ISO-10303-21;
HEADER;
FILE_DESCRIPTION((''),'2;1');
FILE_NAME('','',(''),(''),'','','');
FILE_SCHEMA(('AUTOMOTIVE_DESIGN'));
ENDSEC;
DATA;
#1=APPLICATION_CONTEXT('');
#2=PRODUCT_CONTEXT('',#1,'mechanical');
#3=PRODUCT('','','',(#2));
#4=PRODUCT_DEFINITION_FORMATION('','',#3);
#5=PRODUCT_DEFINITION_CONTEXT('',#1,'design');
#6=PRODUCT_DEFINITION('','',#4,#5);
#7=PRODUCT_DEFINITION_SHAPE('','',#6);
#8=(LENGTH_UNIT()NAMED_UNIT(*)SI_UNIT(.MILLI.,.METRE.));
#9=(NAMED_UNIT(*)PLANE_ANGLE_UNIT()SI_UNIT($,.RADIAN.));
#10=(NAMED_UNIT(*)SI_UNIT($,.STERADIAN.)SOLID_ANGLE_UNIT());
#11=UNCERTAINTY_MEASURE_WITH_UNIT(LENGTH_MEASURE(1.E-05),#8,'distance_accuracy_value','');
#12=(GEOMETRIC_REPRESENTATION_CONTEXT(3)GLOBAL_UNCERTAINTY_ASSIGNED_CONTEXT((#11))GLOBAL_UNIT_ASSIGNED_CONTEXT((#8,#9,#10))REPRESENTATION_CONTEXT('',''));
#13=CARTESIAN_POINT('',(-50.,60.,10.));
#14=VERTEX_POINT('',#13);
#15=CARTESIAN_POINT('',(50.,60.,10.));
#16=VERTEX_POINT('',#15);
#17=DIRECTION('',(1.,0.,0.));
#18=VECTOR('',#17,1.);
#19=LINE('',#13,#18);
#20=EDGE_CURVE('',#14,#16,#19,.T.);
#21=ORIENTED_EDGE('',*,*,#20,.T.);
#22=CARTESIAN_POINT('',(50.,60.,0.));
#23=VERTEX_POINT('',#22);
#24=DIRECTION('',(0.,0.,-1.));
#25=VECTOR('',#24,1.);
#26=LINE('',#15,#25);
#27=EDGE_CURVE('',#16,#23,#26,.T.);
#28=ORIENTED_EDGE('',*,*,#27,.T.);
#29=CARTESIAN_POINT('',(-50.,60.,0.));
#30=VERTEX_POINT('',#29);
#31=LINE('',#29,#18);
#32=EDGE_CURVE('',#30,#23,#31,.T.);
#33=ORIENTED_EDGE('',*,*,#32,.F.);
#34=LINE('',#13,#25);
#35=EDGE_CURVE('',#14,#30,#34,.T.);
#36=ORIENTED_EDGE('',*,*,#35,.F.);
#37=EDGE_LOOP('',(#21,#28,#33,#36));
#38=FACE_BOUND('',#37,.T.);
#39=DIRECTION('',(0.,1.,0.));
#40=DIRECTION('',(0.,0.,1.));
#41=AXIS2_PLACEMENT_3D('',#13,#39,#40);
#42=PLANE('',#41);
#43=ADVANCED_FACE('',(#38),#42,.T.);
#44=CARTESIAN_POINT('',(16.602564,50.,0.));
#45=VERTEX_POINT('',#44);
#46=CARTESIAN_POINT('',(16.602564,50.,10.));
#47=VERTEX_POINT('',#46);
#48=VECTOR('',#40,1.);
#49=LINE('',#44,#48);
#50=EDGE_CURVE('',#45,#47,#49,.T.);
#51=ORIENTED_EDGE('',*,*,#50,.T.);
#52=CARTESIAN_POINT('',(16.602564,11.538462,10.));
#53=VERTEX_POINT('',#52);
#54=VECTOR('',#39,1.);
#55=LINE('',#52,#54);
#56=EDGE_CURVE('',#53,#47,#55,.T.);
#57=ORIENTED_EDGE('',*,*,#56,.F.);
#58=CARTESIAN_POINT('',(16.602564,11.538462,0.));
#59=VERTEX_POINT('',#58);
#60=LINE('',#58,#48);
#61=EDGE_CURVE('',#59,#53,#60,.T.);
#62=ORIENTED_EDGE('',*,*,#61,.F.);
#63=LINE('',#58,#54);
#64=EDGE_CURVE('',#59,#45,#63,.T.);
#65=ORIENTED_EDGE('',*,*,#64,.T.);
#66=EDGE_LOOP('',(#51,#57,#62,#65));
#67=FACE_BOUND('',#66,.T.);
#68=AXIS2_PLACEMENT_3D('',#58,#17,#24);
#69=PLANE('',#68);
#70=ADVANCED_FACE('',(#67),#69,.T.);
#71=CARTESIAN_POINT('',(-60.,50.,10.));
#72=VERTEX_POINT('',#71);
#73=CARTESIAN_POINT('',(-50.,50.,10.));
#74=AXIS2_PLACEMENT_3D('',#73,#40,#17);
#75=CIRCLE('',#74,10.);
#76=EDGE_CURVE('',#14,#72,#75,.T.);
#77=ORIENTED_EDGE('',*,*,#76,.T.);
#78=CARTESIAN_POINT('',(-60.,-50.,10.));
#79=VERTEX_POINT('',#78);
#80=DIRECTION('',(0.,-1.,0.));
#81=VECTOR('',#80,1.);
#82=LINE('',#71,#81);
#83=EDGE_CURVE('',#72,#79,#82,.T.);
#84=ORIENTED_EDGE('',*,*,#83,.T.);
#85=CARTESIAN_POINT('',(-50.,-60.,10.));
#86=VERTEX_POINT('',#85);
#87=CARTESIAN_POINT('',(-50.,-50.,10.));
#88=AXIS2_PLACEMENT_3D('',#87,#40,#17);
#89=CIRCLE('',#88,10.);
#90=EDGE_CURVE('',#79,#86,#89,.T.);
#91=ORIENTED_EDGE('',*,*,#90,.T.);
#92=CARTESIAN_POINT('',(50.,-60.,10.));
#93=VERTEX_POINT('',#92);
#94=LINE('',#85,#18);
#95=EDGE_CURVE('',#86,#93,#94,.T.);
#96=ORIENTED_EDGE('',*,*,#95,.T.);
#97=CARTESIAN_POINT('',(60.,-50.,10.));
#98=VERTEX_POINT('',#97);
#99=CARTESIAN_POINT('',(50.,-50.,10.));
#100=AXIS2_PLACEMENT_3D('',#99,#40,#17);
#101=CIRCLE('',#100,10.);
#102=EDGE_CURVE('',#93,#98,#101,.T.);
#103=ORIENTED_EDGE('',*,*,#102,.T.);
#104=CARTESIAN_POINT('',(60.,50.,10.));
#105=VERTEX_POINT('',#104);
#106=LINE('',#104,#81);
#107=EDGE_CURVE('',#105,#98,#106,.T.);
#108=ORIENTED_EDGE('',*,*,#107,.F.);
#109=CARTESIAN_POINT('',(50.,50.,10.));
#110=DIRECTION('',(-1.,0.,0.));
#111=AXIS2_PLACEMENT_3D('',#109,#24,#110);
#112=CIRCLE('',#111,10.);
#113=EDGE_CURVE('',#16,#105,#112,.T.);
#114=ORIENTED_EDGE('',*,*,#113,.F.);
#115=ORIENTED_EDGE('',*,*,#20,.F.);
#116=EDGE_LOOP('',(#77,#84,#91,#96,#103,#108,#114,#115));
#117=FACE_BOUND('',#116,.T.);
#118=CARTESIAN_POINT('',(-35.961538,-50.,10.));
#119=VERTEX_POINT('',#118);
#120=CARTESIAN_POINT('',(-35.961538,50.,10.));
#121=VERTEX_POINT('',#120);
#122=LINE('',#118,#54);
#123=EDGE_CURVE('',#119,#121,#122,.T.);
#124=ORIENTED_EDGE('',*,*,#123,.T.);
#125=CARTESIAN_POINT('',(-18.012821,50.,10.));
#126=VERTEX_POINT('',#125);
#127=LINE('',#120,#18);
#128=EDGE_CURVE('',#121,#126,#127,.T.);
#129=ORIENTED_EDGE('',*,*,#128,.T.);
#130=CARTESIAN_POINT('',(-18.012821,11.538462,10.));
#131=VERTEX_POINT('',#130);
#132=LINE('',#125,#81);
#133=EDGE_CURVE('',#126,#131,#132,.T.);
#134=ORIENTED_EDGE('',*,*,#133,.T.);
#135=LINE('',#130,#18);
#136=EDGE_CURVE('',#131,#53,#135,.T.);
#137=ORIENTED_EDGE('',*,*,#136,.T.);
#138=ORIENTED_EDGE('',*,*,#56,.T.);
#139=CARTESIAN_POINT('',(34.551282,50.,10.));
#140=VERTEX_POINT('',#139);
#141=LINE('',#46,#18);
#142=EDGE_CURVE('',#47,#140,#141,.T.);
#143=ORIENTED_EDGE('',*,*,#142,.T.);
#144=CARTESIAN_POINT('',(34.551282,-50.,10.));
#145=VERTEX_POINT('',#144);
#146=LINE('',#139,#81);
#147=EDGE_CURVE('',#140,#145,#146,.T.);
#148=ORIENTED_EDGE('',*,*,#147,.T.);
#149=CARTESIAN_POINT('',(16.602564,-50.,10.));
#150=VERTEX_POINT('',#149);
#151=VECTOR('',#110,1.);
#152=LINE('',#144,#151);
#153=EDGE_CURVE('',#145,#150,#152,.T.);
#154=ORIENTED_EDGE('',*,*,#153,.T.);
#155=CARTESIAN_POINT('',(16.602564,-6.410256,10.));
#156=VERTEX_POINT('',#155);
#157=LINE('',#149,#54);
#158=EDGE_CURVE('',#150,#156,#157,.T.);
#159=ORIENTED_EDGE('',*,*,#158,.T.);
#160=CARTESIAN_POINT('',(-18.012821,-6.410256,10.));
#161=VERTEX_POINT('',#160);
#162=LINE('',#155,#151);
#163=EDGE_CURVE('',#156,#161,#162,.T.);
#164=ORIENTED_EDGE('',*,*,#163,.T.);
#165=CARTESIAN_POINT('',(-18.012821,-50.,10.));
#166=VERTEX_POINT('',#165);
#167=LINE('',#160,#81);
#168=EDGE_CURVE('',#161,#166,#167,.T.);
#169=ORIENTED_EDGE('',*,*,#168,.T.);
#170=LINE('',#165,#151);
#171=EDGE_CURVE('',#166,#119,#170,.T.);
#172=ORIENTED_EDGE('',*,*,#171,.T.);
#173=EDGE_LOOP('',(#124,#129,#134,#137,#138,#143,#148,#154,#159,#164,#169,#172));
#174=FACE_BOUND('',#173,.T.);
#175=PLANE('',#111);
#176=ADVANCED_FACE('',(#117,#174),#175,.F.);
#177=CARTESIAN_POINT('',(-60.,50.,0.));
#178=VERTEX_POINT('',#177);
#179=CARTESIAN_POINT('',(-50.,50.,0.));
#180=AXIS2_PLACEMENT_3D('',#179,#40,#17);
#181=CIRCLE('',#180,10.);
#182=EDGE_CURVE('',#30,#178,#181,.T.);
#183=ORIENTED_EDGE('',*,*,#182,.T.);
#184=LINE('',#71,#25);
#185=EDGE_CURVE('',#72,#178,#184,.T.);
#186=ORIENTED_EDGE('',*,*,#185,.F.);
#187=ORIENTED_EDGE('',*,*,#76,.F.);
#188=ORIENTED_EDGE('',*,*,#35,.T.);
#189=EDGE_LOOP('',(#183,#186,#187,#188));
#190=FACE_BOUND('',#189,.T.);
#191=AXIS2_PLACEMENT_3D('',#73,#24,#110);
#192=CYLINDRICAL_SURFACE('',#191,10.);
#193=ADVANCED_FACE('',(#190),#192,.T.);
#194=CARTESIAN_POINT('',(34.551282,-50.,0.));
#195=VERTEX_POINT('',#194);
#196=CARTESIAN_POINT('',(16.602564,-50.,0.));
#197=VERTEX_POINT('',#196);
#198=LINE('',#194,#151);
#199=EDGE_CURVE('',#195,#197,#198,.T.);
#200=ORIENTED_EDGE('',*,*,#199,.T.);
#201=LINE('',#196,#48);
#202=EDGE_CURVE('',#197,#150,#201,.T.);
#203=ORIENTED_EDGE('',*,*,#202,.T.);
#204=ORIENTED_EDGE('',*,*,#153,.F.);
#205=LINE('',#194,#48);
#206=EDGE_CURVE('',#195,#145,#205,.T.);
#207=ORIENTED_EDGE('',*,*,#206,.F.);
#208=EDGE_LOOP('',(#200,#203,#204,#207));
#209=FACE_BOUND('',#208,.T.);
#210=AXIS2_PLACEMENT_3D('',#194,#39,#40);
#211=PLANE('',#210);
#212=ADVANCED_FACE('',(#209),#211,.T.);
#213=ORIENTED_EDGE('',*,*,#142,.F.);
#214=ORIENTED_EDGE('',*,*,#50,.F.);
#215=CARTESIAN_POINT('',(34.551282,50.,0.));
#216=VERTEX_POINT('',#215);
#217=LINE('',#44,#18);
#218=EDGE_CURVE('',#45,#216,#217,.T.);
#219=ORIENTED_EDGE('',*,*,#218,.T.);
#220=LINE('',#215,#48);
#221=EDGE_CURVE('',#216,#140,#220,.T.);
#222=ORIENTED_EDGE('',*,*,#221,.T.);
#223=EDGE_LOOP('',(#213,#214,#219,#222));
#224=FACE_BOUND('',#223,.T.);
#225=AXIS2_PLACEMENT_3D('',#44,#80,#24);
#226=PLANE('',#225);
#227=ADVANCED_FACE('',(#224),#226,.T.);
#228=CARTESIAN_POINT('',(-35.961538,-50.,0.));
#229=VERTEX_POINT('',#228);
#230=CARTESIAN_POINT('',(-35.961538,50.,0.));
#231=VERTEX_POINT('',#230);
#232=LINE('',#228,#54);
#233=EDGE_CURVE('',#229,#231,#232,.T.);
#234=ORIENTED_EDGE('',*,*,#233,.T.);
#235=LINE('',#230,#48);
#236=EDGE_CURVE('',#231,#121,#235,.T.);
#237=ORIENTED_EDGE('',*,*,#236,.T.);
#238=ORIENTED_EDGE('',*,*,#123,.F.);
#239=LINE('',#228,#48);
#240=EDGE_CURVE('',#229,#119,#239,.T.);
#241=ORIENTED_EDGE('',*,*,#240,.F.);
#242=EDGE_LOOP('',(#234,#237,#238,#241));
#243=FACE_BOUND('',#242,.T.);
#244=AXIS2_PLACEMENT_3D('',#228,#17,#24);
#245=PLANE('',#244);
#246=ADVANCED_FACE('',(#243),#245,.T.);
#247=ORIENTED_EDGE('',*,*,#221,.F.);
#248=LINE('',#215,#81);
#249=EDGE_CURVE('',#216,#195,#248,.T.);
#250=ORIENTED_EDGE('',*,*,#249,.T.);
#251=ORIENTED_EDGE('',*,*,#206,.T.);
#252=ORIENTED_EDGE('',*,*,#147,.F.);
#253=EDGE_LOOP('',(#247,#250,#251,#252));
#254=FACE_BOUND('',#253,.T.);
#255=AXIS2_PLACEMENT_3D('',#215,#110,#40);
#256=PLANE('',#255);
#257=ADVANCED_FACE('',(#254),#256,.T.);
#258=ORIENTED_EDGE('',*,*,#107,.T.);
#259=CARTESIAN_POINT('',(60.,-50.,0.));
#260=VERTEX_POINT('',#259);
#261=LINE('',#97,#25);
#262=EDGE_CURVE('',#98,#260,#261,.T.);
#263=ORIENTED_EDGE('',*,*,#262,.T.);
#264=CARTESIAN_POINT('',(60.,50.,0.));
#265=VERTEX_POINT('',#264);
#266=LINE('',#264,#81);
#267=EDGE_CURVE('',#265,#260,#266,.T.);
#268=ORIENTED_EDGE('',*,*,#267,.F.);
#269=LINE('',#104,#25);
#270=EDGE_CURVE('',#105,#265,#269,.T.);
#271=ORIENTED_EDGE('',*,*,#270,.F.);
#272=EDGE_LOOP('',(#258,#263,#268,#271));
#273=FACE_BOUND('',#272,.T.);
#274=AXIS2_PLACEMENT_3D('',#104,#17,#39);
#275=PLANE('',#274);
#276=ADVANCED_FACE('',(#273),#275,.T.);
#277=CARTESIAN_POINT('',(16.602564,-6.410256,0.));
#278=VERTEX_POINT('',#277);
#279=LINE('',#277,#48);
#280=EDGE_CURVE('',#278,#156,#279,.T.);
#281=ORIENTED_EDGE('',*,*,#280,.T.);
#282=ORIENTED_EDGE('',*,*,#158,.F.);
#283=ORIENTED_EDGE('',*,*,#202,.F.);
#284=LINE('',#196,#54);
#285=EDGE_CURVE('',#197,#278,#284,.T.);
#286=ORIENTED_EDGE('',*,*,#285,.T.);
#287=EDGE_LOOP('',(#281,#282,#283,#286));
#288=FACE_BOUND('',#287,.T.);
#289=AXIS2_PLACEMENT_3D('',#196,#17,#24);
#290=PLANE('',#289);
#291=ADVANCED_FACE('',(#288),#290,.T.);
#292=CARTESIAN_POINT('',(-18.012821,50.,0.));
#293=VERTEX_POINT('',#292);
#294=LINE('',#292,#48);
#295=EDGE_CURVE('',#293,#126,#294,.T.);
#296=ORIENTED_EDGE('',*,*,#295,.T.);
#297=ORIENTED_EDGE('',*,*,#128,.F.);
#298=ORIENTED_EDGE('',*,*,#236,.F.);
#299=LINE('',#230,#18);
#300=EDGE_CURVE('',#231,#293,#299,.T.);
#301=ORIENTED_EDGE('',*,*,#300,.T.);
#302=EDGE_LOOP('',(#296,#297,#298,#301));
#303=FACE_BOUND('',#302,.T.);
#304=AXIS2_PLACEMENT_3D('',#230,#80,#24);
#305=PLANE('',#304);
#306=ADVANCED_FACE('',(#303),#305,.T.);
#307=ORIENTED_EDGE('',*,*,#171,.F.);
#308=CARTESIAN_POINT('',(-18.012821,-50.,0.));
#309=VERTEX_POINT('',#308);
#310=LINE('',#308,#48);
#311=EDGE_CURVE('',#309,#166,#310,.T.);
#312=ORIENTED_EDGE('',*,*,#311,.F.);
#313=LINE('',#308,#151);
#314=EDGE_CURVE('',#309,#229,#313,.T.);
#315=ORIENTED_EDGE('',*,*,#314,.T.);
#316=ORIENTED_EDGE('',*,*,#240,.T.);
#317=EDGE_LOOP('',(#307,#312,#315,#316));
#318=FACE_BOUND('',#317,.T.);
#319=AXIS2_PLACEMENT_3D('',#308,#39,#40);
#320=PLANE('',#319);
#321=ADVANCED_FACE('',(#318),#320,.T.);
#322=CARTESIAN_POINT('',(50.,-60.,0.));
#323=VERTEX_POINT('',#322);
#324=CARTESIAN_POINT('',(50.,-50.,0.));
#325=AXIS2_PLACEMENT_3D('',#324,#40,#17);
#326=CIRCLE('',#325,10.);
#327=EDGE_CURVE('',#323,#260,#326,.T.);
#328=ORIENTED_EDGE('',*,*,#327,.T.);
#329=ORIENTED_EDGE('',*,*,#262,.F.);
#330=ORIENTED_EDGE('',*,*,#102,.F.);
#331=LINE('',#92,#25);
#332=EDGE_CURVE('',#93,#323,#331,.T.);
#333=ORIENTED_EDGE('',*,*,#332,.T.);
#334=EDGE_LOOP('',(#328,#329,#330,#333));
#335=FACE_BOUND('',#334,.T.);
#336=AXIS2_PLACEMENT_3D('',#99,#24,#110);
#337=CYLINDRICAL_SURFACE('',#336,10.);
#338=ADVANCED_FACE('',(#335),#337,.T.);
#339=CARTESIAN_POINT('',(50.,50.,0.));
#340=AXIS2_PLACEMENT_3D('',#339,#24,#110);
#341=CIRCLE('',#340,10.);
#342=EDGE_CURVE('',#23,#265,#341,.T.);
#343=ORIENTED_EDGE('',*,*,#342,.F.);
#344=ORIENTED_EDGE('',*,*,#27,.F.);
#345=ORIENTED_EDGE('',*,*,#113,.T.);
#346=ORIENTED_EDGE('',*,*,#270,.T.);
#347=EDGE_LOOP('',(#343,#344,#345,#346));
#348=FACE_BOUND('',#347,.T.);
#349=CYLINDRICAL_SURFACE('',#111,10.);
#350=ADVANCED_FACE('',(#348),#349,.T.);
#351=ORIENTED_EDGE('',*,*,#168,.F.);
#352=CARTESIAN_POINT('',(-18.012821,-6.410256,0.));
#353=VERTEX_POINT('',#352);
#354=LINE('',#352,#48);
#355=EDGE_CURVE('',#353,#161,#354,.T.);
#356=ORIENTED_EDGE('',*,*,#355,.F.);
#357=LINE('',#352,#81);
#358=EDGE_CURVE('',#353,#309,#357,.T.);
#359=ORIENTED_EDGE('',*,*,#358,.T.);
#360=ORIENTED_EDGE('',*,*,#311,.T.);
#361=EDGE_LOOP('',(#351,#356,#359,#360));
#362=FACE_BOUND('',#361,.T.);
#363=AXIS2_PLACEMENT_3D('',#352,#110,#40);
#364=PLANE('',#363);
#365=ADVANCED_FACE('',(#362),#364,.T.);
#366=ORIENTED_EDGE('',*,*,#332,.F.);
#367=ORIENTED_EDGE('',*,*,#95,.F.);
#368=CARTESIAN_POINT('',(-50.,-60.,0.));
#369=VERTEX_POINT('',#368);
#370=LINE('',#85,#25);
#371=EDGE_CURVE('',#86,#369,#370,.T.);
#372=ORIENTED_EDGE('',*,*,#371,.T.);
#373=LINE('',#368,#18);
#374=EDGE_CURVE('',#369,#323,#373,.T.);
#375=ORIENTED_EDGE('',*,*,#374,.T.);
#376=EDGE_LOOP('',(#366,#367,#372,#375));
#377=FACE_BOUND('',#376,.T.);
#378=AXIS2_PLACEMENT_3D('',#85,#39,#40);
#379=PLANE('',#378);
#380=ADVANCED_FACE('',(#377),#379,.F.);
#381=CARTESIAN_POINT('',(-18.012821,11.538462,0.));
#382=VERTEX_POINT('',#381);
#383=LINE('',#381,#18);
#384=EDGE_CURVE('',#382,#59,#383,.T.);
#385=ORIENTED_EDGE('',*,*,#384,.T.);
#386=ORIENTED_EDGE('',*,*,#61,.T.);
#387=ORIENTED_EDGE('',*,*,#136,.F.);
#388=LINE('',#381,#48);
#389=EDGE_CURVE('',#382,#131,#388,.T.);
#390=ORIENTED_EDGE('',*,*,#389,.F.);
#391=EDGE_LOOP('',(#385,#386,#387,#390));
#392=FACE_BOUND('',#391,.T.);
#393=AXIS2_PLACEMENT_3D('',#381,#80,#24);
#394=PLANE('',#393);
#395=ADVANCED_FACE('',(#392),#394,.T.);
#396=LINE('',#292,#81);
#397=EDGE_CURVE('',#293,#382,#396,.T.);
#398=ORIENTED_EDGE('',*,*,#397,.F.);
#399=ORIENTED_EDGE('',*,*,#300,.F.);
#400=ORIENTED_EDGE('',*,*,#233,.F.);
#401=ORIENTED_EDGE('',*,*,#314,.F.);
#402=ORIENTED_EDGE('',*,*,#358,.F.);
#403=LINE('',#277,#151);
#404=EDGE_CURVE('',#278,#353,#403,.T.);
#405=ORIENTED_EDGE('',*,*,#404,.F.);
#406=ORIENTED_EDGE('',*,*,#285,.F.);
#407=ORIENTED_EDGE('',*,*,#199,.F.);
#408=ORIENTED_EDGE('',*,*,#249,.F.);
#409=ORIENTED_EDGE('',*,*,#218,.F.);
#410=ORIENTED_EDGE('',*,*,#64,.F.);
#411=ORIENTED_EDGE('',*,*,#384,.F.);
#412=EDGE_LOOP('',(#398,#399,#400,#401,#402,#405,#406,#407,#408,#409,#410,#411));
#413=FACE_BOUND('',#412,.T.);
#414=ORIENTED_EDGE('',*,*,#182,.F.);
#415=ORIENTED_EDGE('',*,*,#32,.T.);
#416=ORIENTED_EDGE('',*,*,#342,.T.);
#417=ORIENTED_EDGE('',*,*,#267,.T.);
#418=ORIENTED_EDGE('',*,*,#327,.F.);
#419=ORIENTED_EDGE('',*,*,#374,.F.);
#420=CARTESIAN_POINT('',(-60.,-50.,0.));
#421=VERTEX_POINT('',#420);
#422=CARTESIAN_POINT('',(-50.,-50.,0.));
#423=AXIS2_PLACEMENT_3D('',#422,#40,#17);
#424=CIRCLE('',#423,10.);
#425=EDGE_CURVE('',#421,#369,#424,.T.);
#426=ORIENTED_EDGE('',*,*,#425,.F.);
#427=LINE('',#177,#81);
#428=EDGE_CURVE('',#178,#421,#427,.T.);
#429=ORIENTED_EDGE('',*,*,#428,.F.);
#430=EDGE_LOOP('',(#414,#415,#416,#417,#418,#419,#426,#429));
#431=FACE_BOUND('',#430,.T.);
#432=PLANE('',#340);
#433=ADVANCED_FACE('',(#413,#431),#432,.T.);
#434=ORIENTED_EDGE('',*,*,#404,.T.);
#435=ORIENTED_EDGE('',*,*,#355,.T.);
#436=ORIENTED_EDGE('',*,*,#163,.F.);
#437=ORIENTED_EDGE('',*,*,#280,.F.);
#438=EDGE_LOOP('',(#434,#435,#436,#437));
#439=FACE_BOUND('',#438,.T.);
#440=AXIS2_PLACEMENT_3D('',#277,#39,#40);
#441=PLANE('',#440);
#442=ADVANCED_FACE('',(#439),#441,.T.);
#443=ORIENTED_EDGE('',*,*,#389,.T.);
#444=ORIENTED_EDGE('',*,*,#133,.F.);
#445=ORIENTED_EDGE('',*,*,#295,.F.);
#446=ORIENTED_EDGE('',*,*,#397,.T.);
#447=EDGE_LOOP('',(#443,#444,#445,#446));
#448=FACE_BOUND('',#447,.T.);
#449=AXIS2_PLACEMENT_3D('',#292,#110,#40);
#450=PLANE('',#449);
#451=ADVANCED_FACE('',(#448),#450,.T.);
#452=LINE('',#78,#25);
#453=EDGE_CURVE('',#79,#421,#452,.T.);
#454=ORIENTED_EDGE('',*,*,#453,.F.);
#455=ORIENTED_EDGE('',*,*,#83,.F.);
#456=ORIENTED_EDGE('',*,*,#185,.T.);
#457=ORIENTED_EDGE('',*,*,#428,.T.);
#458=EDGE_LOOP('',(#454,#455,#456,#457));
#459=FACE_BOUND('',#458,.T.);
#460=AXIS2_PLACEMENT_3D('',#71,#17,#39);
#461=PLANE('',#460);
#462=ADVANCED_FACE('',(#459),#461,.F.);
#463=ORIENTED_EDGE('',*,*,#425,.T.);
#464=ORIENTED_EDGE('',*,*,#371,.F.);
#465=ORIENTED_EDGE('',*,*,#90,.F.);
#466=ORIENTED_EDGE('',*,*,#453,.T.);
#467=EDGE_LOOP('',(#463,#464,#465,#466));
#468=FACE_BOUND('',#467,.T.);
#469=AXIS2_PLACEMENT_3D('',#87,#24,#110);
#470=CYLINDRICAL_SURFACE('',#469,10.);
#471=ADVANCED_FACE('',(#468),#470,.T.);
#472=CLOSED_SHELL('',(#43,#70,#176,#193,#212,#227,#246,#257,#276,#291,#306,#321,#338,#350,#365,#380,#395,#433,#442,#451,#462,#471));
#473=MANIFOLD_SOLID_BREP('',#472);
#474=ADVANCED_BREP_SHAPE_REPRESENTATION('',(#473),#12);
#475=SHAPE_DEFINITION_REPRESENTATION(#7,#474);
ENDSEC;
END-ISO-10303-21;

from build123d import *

# Parameters (mm, degrees)
BOSS_EXTRUDE1_DEPTH = 10
CUT_EXTRUDE21_DEPTH = 10


with BuildPart() as part:
    # Sketch1 → Boss-Extrude1 (new body)
    with BuildSketch(Plane.XY):
        with BuildLine():
            Line((-50, 60), (50, 60))
            ThreePointArc((50, 60), (57.071067812, 57.071067812), (60, 50))
            Line((60, 50), (60, -50))
            ThreePointArc((60, -50), (57.071067812, -57.071067812), (50, -60))
            Line((50, -60), (-50, -60))
            ThreePointArc((-50, -60), (-57.071067812, -57.071067812), (-60, -50))
            Line((-60, -50), (-60, 50))
            ThreePointArc((-60, 50), (-57.071067812, 57.071067812), (-50, 60))
        make_face()
    extrude(amount=BOSS_EXTRUDE1_DEPTH)

    # Sketch2 → Cut-Extrude21 (cut)
    with BuildSketch(Plane.XY.offset(10)):
        Polygon((-35.961538462, 50), (-18.012820513, 50), (-18.012820513, 11.538461538), (16.602564103, 11.538461538), (16.602564103, 50), (34.551282051, 50), (34.551282051, -50), (16.602564103, -50), (16.602564103, -6.41025641), (-18.012820513, -6.41025641), (-18.012820513, -50), (-35.961538462, -50), align=None)
    extrude(amount=-CUT_EXTRUDE21_DEPTH, mode=Mode.SUBTRACT)


solid = part.part
